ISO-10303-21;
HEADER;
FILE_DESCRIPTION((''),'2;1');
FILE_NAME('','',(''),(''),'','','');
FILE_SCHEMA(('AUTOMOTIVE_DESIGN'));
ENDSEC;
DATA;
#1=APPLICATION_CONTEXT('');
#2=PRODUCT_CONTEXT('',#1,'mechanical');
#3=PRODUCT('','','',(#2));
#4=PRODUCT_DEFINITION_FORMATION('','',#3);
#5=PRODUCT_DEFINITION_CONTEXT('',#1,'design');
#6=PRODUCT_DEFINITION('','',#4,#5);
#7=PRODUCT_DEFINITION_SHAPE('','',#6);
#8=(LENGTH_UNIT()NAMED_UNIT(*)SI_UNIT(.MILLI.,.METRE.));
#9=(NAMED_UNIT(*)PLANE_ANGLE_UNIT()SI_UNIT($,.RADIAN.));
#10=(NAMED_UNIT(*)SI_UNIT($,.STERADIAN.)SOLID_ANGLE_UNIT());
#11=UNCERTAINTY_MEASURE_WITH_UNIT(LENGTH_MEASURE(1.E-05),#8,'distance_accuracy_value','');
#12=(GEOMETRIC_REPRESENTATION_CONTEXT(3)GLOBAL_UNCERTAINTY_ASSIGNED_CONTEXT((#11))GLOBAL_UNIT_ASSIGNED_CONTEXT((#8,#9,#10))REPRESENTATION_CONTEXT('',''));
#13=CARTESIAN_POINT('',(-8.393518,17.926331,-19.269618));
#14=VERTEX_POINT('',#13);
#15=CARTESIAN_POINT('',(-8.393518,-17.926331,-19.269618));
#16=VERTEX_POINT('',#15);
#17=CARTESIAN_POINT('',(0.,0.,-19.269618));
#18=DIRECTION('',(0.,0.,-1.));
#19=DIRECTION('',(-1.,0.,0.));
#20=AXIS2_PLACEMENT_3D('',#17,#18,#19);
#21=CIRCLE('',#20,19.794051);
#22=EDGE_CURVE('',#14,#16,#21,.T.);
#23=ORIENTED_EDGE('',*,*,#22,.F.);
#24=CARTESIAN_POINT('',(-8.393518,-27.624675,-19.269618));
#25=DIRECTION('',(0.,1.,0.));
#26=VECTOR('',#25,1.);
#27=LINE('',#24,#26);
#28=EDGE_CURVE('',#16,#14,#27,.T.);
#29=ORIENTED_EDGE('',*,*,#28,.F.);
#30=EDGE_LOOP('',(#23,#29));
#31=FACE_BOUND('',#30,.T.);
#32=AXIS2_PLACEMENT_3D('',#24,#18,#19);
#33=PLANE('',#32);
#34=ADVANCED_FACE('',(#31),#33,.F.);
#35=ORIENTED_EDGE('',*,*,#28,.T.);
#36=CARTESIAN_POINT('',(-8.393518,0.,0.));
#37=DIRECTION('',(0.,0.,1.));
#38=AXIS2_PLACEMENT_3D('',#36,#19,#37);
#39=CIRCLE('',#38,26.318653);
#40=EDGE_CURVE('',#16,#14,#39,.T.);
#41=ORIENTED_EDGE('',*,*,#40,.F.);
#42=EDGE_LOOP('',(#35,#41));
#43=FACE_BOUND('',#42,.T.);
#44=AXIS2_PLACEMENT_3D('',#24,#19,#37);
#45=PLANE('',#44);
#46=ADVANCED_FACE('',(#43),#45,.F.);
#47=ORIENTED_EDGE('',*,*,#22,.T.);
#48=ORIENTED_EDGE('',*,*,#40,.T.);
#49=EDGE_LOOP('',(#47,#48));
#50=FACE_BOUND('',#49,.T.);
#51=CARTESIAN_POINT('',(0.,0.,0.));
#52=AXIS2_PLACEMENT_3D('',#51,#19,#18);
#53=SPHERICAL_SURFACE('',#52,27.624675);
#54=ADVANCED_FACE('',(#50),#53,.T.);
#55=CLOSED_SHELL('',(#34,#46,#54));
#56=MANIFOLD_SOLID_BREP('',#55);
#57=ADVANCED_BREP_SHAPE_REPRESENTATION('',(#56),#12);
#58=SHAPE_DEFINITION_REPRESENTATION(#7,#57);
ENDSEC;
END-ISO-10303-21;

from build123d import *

# Parameters (mm, degrees)
CUT_EXTRUDE1_DEPTH      = 48.847340101
CUT_EXTRUDE1_DEPTH_BACK = 48.847340101
SKETCH2_W               = 75.893427602
SKETCH2_H               = 81.233977421


with BuildPart() as part:
    # Sketch1 → Revolve1 (revolve)
    with BuildSketch(Plane(origin=(0, 0, 0), x_dir=(1, 0, 0), z_dir=(0, 1, 0))):
        with BuildLine():
            Line((-27.624674687, 0), (27.624674687, 0))
            ThreePointArc((27.624674687, 0), (0, 27.624674687), (-27.624674687, 0))
        make_face()
    revolve(axis=Axis((-27.624674687, 0, 0), (1, 0, 0)))

    # Sketch2 → Cut-Extrude1 (cut, two sides: drawn at the far end of the back side and taken through both)
    with BuildSketch(Plane(origin=(0, 0, 0), x_dir=(1, 0, 0), z_dir=(0, 1, 0)).offset(-CUT_EXTRUDE1_DEPTH_BACK)):
        with Locations((29.553196242, -21.347370523)):
            Rectangle(SKETCH2_W, SKETCH2_H)
    extrude(amount=CUT_EXTRUDE1_DEPTH + CUT_EXTRUDE1_DEPTH_BACK, mode=Mode.SUBTRACT)


solid = part.part
